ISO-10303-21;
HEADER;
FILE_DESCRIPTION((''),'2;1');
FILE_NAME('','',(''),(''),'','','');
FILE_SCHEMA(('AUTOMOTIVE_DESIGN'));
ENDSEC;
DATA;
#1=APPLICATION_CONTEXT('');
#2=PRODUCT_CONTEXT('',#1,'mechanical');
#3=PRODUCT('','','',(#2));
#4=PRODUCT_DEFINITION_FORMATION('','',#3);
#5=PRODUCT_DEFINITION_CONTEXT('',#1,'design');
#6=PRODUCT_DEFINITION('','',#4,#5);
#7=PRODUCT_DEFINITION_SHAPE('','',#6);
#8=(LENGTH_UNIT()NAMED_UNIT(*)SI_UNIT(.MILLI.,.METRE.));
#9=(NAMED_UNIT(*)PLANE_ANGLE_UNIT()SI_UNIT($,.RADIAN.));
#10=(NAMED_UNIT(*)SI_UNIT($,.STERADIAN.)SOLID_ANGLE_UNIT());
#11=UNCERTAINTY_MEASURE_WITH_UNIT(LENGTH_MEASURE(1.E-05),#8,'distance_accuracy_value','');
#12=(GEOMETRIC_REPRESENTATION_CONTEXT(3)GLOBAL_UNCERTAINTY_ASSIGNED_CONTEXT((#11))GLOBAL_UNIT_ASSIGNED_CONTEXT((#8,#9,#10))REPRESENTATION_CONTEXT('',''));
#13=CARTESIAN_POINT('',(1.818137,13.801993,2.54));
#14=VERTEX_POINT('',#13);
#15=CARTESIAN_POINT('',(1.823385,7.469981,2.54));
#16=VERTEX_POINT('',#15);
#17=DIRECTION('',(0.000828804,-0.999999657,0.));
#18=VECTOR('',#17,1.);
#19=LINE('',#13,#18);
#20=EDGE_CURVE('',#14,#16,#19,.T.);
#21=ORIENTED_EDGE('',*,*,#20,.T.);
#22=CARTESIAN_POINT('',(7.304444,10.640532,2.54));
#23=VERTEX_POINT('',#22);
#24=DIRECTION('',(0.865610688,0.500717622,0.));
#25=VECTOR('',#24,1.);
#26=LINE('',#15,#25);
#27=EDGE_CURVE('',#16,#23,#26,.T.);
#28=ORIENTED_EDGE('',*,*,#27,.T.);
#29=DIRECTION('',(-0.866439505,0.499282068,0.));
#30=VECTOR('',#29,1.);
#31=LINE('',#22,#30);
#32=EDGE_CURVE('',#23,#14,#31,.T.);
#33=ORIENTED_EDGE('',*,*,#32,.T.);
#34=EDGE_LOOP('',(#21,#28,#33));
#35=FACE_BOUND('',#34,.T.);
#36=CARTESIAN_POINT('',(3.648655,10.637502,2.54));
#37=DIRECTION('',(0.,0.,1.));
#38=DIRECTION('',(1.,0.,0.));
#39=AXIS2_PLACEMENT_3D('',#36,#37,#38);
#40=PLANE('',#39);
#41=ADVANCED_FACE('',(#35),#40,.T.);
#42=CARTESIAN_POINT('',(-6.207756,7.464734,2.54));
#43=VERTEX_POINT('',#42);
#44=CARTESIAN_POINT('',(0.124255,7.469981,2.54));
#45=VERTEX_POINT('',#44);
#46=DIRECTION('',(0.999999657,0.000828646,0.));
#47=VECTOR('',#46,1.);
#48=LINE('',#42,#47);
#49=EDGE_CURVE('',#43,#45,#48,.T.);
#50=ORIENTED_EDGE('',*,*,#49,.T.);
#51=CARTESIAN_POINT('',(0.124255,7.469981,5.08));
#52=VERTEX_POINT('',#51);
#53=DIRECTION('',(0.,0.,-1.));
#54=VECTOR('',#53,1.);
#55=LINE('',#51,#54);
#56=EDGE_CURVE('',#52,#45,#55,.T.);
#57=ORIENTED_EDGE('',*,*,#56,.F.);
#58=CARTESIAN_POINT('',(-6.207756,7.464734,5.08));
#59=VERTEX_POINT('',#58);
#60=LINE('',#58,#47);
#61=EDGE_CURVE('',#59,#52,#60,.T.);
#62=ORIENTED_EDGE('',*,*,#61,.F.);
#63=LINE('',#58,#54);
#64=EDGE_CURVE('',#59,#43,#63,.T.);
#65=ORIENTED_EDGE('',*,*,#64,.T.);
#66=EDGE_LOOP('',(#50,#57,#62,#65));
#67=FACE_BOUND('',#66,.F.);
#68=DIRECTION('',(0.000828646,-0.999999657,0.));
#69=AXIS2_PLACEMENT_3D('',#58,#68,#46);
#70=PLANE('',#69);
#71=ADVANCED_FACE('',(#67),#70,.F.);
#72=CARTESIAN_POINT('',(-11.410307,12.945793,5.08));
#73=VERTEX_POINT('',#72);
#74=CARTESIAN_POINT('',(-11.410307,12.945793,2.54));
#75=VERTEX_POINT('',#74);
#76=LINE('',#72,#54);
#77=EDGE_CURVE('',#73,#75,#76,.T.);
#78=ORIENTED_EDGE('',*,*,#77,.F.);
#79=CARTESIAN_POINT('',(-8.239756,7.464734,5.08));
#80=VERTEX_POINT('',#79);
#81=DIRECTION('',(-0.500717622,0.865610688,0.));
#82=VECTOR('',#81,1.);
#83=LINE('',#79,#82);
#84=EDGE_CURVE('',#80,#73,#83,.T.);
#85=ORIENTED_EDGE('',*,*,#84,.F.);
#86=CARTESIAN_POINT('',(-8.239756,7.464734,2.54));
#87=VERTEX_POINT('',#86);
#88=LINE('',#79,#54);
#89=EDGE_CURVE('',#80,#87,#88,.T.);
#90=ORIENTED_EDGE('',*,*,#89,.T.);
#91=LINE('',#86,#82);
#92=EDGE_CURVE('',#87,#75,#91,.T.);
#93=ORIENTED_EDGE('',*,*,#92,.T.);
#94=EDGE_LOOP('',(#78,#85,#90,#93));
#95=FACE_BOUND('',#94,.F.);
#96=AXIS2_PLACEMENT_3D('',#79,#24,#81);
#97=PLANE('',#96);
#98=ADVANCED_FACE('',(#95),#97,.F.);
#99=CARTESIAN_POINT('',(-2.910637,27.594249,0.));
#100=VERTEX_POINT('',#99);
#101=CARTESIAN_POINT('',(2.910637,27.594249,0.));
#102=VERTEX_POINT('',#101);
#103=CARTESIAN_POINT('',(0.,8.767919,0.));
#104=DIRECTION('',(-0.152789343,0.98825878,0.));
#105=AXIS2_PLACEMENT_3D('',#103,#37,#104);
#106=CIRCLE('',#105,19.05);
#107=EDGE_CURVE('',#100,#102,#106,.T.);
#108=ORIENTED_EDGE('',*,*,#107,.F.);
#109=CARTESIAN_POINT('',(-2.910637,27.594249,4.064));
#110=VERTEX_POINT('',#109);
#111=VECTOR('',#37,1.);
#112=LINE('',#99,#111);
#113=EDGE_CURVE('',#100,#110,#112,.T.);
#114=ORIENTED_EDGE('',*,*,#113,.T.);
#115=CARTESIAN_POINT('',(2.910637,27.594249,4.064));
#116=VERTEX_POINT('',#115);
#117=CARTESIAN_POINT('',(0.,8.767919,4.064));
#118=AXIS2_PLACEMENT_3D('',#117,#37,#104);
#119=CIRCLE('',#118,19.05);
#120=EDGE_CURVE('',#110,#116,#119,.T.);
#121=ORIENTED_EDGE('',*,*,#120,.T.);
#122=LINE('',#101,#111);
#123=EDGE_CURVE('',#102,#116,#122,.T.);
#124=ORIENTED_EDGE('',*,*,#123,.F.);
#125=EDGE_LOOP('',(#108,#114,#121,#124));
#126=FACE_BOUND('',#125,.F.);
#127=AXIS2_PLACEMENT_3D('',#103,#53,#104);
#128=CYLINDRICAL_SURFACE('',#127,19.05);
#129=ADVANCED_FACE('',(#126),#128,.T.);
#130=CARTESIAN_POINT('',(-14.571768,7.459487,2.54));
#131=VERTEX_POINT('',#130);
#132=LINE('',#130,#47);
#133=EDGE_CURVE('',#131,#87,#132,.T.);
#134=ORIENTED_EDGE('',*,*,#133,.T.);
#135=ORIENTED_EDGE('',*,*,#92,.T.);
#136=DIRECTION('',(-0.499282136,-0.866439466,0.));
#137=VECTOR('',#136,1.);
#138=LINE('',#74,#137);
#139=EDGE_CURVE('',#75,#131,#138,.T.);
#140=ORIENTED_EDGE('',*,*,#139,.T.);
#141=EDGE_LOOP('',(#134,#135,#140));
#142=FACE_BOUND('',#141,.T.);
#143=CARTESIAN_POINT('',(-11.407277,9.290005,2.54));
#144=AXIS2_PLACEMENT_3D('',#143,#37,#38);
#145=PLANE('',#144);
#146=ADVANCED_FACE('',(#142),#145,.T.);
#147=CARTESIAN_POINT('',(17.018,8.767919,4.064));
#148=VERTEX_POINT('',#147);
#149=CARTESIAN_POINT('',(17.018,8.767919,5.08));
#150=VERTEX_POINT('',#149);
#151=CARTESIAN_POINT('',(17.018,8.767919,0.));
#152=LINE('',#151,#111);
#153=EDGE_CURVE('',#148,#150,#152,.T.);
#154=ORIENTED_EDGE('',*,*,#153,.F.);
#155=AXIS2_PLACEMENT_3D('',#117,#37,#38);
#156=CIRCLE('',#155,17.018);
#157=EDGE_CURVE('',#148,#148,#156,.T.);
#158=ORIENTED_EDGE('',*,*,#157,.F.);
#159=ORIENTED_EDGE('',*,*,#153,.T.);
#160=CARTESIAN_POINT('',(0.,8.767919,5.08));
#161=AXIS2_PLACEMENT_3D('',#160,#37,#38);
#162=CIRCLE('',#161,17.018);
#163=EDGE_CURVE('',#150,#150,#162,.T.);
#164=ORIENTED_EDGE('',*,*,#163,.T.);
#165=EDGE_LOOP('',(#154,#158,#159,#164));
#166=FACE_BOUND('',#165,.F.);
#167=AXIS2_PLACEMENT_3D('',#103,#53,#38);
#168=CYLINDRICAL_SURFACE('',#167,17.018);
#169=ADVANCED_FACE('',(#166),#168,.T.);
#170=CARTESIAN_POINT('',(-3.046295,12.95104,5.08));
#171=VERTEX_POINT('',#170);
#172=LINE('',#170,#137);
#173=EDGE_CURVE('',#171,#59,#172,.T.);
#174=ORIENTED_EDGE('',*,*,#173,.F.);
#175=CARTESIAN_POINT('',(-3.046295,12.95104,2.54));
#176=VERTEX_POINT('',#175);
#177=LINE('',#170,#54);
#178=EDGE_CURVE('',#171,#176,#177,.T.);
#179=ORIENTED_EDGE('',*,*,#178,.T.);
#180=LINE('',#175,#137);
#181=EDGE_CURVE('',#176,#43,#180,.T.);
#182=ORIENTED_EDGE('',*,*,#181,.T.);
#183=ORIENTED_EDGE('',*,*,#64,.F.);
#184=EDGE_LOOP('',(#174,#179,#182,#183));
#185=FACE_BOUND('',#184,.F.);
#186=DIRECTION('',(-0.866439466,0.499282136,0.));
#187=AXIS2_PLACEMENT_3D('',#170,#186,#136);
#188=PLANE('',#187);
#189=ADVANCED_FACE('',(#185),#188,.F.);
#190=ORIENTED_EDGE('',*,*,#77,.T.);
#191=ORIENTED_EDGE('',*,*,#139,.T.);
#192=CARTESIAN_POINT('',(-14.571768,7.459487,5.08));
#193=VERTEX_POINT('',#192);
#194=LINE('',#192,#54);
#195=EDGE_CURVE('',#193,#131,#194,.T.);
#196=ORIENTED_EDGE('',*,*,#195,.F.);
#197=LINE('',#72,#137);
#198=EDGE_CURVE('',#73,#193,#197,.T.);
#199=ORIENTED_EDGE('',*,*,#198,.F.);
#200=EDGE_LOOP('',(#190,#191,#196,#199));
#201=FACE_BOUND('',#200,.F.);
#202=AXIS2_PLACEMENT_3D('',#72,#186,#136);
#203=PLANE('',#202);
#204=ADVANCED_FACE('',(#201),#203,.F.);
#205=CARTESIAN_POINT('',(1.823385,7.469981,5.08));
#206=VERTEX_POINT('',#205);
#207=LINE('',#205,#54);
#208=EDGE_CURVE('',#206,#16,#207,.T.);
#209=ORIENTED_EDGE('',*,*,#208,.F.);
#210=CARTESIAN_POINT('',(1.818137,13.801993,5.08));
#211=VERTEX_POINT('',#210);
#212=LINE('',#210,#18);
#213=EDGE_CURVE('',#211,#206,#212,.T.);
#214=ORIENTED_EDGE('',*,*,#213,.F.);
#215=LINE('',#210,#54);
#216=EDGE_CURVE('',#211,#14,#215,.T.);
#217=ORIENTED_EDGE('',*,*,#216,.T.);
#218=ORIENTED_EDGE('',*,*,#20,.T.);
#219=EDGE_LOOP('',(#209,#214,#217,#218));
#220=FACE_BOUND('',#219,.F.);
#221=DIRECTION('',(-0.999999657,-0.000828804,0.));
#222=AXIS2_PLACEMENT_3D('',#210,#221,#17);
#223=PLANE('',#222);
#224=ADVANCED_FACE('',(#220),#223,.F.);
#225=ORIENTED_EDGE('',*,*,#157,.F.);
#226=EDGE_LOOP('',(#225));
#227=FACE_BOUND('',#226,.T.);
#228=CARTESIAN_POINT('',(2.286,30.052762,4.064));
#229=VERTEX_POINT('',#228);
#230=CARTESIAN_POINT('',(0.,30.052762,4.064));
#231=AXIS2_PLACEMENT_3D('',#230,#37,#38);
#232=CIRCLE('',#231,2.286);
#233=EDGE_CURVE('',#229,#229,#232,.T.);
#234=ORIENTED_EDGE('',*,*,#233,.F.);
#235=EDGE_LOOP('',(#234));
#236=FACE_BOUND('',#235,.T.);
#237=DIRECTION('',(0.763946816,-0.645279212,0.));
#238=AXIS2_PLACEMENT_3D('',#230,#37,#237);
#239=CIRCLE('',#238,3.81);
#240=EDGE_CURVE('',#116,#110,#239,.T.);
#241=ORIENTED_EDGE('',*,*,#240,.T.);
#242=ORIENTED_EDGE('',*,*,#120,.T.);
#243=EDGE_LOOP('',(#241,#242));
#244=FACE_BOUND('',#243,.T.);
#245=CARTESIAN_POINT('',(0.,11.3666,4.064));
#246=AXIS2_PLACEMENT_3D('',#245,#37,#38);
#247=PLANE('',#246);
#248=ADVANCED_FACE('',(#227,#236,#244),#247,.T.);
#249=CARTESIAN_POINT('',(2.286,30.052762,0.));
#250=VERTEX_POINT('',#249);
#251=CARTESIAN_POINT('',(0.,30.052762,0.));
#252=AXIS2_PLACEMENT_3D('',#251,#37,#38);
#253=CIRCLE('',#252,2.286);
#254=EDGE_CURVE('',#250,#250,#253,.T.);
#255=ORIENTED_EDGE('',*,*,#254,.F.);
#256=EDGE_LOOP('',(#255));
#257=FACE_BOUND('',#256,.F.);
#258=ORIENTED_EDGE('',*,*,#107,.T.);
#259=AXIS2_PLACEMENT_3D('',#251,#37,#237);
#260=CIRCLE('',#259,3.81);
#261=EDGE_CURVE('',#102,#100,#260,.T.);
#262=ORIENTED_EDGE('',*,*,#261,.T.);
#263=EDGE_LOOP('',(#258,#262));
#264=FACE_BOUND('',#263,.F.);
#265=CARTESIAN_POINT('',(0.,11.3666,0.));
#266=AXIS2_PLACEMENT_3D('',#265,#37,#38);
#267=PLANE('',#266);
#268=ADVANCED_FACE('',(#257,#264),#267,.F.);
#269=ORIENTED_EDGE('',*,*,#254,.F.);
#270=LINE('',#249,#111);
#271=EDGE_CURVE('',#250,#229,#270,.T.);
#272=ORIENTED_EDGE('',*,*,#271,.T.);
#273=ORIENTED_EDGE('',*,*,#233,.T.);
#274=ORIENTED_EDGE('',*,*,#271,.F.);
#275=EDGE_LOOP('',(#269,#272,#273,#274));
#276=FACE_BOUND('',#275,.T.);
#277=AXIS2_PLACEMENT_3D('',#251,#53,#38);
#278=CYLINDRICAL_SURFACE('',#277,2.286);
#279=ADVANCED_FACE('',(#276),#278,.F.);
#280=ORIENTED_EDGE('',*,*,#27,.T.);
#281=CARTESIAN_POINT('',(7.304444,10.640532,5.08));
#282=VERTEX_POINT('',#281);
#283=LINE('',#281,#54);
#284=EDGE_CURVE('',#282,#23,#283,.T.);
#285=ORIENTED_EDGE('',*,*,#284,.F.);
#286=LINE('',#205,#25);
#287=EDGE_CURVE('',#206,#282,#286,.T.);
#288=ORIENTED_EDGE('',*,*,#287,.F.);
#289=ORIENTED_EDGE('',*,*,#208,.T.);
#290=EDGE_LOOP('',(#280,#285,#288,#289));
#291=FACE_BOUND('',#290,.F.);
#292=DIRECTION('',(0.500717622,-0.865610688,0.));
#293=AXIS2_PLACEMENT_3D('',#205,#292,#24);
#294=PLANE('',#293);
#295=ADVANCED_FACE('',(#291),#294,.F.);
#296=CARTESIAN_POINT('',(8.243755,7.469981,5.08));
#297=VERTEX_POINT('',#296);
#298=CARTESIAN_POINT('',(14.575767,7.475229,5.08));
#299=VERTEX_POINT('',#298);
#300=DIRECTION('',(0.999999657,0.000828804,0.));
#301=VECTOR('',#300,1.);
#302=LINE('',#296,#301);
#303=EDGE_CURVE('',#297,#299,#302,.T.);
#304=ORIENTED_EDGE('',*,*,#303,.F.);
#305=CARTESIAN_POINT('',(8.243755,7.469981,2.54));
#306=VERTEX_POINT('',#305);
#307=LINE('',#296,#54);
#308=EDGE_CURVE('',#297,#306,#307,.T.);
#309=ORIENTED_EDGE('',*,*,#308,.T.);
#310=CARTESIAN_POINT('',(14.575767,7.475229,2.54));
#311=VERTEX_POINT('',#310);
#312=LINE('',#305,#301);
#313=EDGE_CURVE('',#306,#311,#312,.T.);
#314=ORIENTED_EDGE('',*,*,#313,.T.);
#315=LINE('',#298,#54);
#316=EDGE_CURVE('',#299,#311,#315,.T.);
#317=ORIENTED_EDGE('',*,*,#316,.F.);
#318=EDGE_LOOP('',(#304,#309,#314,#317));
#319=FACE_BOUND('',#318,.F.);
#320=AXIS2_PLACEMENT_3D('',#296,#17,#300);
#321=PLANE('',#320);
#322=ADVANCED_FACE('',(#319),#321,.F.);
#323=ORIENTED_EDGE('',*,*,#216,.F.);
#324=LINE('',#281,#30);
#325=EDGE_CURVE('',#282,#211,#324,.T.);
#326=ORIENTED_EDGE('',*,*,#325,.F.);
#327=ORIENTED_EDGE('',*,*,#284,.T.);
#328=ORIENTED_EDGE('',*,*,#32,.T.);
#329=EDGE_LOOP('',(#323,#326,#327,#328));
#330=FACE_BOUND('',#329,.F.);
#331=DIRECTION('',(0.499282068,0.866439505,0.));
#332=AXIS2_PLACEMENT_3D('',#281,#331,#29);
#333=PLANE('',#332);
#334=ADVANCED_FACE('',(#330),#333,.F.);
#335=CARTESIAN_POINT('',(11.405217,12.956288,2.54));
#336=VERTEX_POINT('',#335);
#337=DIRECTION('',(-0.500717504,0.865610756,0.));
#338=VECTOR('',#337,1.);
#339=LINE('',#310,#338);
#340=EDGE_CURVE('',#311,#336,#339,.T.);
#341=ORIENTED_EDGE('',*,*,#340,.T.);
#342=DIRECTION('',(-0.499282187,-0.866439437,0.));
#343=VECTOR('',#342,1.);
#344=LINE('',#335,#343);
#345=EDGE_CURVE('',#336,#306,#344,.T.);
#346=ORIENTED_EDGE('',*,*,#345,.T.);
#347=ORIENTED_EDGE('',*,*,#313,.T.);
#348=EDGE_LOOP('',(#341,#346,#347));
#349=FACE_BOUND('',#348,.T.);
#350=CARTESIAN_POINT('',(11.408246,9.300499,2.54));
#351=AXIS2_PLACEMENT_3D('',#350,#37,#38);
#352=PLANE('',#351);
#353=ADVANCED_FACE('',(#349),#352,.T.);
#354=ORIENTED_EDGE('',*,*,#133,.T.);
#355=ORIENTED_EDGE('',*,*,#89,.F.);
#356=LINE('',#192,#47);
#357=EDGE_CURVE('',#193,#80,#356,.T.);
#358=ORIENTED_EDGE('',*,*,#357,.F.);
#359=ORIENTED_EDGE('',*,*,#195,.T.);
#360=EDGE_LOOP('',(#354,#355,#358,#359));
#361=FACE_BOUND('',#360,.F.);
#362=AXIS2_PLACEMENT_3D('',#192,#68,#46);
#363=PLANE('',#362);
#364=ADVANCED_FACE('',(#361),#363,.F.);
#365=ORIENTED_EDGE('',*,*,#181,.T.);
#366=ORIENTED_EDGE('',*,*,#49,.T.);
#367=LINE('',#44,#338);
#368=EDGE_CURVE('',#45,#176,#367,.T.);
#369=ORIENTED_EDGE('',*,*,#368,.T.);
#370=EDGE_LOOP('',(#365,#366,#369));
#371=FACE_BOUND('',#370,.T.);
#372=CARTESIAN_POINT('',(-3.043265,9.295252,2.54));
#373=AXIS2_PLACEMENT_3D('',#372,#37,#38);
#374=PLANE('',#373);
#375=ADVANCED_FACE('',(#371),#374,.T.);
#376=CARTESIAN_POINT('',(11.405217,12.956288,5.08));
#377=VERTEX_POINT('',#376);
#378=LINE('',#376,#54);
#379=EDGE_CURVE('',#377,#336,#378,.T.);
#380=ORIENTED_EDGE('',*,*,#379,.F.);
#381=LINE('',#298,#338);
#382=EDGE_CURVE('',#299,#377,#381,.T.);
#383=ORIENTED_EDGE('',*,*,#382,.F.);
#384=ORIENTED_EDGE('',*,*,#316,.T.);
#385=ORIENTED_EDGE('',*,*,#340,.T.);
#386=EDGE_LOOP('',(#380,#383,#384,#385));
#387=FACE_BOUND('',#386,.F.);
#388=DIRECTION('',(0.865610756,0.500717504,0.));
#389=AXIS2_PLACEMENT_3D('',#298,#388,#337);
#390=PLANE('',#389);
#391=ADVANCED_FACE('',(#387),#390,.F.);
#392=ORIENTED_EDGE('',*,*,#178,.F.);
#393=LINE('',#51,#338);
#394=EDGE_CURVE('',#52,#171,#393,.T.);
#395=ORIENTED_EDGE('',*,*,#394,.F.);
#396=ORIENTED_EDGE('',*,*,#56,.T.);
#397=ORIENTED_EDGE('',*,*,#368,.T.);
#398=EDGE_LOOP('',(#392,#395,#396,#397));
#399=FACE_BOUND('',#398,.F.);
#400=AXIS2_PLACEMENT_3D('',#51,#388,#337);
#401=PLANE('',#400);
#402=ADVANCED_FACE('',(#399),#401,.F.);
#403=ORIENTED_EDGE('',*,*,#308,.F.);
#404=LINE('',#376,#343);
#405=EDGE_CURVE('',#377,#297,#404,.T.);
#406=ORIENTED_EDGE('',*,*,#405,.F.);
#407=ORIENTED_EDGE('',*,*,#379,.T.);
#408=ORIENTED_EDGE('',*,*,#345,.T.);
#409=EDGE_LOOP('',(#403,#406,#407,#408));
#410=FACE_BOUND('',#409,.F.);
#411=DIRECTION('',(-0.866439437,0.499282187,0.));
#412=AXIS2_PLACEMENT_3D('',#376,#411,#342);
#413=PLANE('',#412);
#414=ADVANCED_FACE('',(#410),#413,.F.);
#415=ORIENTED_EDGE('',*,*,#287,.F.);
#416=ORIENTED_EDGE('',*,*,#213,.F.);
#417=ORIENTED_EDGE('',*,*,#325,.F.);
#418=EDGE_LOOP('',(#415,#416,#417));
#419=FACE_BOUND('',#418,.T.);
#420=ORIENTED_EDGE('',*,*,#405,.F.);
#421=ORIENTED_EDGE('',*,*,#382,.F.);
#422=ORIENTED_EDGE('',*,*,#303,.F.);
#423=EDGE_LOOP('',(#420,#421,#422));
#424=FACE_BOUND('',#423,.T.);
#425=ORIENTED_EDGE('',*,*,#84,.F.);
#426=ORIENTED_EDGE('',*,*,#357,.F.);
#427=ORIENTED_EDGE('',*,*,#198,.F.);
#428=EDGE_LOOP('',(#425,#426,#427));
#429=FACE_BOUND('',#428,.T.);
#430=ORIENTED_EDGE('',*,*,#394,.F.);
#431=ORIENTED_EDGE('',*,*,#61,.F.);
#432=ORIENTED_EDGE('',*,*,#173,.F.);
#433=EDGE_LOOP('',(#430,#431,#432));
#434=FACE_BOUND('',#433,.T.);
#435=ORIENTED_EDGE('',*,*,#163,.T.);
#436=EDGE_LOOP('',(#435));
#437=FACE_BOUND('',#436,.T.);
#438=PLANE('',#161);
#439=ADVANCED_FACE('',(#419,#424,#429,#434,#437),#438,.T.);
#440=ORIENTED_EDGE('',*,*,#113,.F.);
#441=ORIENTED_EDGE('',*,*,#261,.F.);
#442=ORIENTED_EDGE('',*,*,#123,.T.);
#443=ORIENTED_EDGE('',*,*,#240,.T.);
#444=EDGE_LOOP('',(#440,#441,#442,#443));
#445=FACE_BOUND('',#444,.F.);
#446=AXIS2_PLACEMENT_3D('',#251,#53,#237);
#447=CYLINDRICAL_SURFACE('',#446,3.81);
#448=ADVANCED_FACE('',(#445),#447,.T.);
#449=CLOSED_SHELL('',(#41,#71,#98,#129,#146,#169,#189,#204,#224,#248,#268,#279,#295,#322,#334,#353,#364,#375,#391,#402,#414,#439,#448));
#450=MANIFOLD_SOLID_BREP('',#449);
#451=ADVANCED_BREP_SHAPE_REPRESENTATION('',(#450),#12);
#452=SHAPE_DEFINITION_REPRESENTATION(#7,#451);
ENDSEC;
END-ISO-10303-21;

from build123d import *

# Parameters (mm, degrees)
F0_R     = 17.018
F0_R_2   = 2.286
F1_DEPTH = 4.064
F2_DEPTH = 5.08
F4_DEPTH = 2.54


with BuildPart() as f1:
    # F0 (on Top) → F1 (new body)
    with BuildSketch(Plane.XY):
        with BuildLine():
            ThreePointArc((-2.910637, 27.594249), (0, -10.282081), (2.910637, 27.594249))
            ThreePointArc((2.910637, 27.594249), (0, 33.862762), (-2.910637, 27.594249))
        make_face()
        with Locations((0, 8.767919)):
            Circle(F0_R, mode=Mode.SUBTRACT)
        with Locations((0, 30.052762)):
            Circle(F0_R_2, mode=Mode.SUBTRACT)
    extrude(amount=F1_DEPTH)

    # F0 (on Top) → F2 (join)
    with BuildSketch(Plane.XY):
        with Locations((0, 8.767919)):
            Circle(F0_R)
    extrude(amount=F2_DEPTH)

    # F3 (on face) → F4 (cut)
    with BuildSketch(Plane.XY.offset(5.08)):
        Polygon((-8.239756, 7.464734), (-11.410307, 12.945793), (-14.571768, 7.459487), align=None)
        Polygon((0.124255, 7.469981), (-3.046295, 12.95104), (-6.207756, 7.464734), align=None)
        Polygon((1.823385, 7.469981), (7.304444, 10.640532), (1.818137, 13.801993), align=None)
        Polygon((14.575767, 7.475229), (11.405217, 12.956288), (8.243755, 7.469981), align=None)
    extrude(amount=-F4_DEPTH, mode=Mode.SUBTRACT)


solid = f1.part
